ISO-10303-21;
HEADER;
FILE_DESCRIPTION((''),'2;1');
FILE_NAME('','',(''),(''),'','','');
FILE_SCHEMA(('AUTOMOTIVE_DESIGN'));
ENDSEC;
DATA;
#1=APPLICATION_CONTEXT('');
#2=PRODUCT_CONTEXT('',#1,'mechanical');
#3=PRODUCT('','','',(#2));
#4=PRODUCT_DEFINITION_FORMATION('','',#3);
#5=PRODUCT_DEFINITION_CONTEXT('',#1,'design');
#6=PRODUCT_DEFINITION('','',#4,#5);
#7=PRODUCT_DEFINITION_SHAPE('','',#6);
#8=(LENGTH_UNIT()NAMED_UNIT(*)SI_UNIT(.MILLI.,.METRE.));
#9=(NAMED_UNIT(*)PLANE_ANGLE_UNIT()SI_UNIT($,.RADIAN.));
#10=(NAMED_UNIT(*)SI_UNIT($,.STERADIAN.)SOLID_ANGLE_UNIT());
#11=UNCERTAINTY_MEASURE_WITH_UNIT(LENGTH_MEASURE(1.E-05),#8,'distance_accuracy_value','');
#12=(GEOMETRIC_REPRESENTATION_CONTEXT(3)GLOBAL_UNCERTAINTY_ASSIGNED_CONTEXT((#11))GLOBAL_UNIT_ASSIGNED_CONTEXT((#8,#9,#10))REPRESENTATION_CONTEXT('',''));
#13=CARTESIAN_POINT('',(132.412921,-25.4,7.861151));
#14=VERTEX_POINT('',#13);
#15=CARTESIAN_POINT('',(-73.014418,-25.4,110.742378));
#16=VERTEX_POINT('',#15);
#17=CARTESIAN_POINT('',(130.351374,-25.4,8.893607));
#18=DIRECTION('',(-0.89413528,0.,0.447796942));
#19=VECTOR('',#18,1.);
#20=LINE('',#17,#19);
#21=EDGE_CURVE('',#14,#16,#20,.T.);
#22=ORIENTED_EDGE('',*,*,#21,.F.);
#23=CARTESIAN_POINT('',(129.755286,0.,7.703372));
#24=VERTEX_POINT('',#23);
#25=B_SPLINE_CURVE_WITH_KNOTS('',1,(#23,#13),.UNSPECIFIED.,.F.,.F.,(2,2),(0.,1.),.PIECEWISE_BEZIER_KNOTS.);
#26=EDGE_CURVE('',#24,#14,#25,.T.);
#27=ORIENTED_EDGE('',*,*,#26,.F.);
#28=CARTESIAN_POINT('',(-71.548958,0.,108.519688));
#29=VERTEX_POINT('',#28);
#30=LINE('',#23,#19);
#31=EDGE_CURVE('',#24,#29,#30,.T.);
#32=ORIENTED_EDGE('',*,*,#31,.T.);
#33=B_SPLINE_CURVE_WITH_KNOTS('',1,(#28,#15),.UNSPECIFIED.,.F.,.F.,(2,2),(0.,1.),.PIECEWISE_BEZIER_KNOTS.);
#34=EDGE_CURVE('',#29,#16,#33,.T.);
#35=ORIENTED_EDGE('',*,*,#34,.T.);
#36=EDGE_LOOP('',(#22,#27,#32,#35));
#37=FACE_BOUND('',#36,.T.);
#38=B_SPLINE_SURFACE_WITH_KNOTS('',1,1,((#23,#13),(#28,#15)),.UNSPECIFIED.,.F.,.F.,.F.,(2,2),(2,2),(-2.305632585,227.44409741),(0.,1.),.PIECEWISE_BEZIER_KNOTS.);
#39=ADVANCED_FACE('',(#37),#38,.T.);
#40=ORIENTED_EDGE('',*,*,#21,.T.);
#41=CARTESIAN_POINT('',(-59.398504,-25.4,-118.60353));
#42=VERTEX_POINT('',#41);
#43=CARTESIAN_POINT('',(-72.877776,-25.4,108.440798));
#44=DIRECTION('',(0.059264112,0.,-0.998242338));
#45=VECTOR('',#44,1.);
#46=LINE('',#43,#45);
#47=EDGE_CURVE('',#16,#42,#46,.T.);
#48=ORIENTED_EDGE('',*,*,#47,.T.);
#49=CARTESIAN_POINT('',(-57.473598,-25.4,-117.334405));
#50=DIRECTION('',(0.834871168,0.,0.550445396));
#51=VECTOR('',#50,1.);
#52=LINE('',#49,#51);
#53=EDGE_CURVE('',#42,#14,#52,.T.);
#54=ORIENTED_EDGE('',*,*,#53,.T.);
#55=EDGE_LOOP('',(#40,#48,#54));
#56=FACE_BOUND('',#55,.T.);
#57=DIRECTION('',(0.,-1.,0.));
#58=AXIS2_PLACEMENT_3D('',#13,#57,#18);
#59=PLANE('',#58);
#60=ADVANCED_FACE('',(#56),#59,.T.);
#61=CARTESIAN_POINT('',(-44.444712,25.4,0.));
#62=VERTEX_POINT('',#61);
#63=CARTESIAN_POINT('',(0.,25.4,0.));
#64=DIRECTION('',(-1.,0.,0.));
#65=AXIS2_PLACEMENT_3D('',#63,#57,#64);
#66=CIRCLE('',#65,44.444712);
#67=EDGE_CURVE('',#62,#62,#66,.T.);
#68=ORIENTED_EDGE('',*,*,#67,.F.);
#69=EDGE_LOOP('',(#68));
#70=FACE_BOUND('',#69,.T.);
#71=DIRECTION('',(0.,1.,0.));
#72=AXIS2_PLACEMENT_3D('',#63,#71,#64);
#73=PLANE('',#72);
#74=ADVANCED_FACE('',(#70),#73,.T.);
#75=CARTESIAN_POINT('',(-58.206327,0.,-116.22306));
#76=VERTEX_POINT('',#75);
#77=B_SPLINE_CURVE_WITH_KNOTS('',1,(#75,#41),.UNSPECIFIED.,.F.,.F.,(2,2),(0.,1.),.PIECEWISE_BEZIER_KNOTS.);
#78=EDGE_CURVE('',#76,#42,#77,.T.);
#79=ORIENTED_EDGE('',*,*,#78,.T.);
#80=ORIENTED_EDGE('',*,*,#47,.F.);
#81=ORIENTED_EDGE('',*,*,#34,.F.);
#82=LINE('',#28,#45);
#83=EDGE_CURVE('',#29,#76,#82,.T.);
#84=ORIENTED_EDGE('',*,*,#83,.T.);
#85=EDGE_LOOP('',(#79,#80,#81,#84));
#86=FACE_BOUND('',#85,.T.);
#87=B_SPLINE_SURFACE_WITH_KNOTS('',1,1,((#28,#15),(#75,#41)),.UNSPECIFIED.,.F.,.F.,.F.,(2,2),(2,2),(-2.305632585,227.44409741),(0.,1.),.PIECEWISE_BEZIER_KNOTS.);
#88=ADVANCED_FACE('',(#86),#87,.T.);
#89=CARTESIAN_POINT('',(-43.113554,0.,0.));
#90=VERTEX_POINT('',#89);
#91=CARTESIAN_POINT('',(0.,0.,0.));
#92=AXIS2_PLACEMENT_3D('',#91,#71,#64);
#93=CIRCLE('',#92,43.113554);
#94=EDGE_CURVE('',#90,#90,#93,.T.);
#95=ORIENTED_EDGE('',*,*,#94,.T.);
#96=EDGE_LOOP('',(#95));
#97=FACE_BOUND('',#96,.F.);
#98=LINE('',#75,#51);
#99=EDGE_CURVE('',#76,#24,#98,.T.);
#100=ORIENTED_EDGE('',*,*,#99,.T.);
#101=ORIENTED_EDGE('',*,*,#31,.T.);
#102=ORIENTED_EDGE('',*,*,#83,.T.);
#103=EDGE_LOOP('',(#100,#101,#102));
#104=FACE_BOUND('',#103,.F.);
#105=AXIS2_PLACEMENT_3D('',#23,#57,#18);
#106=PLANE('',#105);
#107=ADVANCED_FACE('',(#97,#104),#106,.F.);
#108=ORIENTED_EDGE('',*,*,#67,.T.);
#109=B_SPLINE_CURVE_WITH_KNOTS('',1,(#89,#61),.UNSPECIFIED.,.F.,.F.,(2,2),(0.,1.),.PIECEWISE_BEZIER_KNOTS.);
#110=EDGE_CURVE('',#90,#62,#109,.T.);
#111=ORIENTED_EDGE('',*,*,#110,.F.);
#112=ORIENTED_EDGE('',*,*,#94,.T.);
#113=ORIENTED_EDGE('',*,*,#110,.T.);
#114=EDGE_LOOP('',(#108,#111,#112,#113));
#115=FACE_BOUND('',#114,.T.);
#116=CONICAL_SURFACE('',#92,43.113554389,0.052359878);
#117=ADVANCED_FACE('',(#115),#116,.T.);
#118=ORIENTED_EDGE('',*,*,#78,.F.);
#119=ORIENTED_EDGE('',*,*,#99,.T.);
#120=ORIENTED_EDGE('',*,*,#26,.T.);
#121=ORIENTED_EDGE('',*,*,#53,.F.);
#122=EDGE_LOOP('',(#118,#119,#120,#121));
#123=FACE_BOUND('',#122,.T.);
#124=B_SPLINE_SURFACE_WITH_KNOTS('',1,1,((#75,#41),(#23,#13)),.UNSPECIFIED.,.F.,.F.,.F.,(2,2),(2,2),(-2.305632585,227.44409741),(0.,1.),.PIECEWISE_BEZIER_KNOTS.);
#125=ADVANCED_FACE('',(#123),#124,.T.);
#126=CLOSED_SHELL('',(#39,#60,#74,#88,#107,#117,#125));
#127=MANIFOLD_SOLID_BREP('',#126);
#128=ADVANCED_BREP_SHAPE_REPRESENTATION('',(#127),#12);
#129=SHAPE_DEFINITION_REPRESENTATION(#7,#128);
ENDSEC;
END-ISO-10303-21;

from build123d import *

# Parameters (mm, degrees)
F1_DEPTH = 25.4
F1_TAPER = -3
F2_R     = 43.1135543891
F3_DEPTH = 25.4
F3_TAPER = -3
F4_R     = 16.6756638842
F5_DEPTH = 25.4
F5_TAPER = -3


with BuildPart() as f1:
    # F0 (on Front) → F1 (new body)
    with BuildSketch(Plane.XZ):
        Polygon((129.7552857443, 7.7033717296), (-71.5489584847, 108.5196878651), (-58.2063272595, -116.2230595946), align=None)
    extrude(amount=F1_DEPTH, taper=F1_TAPER)

    # F2 (on face) → F3 (join)
    with BuildSketch(Plane(origin=(0, 0, 0), x_dir=(-1, 0, 0), z_dir=(0, 1, 0))):
        Circle(F2_R)
    extrude(amount=F3_DEPTH, taper=F3_TAPER)

    # F4 (on face) → F5 (join)
    with BuildSketch(Plane(origin=(0, 0, 0), x_dir=(-1, 0, 0), z_dir=(0, 1, 0))):
        Circle(F4_R)
    extrude(amount=F5_DEPTH, taper=F5_TAPER)


solid = f1.part
